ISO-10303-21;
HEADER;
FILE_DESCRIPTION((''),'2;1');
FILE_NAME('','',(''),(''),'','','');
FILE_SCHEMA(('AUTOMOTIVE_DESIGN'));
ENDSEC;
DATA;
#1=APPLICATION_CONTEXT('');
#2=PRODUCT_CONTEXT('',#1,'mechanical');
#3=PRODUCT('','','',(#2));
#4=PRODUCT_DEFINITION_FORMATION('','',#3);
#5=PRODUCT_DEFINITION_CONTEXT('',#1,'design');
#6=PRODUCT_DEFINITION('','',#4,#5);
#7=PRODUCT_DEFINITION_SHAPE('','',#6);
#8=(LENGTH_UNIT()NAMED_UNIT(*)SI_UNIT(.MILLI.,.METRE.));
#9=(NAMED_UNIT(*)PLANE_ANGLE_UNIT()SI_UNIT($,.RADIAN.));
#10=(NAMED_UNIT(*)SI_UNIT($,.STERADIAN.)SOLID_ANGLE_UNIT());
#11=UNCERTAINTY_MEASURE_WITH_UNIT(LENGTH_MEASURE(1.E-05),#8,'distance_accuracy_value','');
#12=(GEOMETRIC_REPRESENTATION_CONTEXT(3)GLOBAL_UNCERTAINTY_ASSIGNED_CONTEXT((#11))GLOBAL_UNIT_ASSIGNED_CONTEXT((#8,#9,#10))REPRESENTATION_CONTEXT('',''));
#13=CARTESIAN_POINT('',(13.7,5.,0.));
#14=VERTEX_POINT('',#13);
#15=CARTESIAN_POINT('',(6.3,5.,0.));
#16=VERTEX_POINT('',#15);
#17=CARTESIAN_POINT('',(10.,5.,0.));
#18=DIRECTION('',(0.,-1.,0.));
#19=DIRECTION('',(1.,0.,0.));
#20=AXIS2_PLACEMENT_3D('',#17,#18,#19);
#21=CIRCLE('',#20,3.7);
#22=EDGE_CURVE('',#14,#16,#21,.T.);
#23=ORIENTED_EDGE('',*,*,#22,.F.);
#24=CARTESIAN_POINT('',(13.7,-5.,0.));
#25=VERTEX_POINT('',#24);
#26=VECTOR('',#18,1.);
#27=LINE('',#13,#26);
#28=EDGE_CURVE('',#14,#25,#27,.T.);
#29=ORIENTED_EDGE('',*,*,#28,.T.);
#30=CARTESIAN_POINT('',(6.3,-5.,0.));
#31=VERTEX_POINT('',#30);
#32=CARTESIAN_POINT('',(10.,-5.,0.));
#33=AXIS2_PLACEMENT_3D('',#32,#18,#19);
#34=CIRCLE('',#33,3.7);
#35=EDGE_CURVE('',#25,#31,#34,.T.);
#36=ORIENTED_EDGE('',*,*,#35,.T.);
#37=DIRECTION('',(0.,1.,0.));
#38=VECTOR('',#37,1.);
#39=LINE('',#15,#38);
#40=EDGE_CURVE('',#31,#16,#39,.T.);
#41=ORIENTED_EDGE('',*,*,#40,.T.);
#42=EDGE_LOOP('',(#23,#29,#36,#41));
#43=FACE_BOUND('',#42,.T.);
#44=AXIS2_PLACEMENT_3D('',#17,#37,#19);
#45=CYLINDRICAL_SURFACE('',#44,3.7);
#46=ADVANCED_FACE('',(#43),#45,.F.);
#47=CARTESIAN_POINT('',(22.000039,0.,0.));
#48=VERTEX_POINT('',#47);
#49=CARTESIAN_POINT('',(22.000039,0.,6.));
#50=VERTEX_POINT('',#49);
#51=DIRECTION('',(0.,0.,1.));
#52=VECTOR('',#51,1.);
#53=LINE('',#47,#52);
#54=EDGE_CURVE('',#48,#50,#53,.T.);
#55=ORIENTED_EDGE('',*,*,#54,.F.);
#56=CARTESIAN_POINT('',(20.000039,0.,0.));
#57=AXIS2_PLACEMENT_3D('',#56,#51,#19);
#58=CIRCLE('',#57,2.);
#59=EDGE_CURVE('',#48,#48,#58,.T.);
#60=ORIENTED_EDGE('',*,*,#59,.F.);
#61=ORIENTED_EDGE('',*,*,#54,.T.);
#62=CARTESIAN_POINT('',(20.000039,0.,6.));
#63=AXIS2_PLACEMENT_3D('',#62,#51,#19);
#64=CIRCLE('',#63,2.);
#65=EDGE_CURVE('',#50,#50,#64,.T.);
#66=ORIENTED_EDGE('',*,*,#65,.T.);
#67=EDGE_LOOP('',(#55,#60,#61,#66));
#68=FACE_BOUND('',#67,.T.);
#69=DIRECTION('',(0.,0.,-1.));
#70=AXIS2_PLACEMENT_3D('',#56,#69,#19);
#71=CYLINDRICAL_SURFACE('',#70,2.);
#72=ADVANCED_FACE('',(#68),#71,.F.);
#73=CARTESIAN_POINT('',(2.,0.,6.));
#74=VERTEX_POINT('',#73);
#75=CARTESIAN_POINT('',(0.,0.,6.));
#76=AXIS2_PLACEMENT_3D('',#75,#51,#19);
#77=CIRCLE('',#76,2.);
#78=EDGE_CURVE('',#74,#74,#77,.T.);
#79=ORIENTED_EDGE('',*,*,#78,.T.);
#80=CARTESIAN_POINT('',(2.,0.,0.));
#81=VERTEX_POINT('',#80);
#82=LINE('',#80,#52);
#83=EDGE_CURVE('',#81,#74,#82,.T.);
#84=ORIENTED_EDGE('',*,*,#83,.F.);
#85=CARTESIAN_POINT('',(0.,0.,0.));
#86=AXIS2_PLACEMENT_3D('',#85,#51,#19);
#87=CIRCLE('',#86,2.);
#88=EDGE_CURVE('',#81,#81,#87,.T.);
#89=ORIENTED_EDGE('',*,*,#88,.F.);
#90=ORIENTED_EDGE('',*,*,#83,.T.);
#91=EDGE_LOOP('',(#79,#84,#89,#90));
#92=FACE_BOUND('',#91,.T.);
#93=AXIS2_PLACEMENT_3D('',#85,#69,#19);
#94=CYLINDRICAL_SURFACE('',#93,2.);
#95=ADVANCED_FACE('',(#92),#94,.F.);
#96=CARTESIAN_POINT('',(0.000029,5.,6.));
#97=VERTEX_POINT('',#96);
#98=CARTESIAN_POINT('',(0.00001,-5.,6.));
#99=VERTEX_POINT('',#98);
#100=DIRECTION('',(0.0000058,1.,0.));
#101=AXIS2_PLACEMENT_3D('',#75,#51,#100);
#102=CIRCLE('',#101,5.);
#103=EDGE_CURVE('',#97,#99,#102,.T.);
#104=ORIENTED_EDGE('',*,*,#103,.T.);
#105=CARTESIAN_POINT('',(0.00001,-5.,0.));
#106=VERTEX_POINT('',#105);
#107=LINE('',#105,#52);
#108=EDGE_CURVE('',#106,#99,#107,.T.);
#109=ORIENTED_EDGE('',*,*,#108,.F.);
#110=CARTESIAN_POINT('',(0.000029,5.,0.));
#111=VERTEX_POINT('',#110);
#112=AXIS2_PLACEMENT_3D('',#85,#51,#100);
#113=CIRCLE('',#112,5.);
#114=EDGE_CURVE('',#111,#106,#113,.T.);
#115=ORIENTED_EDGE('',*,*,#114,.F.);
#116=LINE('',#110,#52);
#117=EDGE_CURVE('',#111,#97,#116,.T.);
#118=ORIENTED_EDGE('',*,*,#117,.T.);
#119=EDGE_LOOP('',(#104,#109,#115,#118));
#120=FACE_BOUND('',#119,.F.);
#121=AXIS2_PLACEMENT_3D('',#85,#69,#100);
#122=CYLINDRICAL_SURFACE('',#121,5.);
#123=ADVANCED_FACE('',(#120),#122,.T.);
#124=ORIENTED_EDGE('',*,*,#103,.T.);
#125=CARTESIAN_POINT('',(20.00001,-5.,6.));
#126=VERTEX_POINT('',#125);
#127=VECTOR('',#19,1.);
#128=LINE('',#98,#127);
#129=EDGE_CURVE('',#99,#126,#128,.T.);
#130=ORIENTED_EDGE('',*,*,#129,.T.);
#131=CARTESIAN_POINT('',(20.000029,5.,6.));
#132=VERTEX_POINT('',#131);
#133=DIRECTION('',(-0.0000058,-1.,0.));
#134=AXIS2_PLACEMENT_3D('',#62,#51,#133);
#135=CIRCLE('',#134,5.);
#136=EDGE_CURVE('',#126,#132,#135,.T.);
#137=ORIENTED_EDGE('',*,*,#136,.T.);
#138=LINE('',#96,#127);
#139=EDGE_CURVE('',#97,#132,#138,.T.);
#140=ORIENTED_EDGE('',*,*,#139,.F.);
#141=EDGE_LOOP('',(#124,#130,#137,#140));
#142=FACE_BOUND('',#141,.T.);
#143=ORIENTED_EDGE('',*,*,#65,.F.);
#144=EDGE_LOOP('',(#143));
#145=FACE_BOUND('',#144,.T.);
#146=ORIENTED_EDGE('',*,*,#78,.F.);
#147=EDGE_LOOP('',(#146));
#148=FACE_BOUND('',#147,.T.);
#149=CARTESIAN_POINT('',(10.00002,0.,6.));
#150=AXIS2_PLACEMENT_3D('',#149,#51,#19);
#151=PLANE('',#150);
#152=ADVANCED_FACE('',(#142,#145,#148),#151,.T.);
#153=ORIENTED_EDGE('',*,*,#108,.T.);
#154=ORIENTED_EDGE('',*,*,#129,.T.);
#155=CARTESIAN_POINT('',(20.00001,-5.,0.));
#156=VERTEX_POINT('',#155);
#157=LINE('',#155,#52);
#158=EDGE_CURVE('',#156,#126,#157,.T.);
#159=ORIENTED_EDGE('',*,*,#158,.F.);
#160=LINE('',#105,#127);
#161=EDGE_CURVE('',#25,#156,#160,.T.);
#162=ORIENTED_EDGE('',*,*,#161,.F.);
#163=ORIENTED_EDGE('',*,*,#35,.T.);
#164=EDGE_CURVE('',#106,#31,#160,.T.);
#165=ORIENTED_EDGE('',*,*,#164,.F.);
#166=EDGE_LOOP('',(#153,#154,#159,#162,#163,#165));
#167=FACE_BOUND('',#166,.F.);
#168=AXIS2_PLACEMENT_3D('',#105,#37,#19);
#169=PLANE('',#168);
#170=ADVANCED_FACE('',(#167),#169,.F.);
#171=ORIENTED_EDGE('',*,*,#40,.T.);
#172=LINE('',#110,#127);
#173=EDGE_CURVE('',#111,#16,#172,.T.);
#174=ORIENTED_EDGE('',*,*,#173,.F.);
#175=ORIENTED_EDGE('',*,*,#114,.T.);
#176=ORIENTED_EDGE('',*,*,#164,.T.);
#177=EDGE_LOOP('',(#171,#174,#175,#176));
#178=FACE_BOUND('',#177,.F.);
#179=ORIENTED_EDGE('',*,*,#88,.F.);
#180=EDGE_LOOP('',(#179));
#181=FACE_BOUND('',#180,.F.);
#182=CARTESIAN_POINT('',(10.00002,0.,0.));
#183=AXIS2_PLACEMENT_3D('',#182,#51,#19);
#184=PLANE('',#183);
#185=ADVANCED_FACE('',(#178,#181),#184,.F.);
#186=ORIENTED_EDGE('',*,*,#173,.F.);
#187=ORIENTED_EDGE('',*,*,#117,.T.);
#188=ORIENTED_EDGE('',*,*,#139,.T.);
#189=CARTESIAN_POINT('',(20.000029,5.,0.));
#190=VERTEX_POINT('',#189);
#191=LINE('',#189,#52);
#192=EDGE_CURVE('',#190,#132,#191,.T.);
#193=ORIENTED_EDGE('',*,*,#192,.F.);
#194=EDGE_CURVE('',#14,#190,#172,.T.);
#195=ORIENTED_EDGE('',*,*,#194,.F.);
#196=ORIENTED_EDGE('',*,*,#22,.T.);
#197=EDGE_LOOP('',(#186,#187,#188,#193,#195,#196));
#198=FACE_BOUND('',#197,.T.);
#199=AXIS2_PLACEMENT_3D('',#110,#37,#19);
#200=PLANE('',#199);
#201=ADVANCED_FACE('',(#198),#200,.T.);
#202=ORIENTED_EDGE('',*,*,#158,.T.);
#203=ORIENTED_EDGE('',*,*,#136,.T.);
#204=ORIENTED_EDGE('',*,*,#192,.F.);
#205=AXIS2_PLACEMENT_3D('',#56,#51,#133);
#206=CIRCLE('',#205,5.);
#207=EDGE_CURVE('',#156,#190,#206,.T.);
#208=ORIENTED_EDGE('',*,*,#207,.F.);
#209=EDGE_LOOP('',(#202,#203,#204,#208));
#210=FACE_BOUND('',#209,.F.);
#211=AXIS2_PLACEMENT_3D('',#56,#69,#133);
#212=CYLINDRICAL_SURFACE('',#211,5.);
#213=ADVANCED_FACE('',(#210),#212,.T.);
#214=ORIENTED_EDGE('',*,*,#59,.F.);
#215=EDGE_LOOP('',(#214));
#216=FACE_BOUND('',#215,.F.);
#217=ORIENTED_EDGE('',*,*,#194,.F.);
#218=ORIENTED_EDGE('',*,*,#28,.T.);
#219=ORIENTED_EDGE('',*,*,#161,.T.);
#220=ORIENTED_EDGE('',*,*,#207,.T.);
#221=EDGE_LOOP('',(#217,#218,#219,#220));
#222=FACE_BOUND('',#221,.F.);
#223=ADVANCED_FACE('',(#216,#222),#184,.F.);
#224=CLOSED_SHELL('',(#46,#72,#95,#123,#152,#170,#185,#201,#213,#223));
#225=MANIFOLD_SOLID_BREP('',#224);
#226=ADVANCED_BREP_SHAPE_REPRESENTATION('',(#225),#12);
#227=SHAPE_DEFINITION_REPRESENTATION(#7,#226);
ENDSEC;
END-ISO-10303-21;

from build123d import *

# Parameters (mm, degrees)
SKETCH_R       = 2
PAD_DEPTH      = 6
CYLINDER_R     = 3.7
CYLINDER_DEPTH = 10


with BuildPart() as part:
    # Sketch → Pad (new body)
    with BuildSketch(Plane.XY):
        with BuildLine():
            ThreePointArc((2.9e-05, 5), (-5, 1e-05), (1e-05, -5))
            Line((1e-05, -5), (20.00001, -5))
            ThreePointArc((20.00001, -5), (25.000039, -1e-05), (20.000029, 5))
            Line((2.9e-05, 5), (20.000029, 5))
        make_face()
        Circle(SKETCH_R, mode=Mode.SUBTRACT)
        with Locations((20.000039, 0)):
            Circle(SKETCH_R, mode=Mode.SUBTRACT)
    extrude(amount=PAD_DEPTH)

    # Cylinder → Cylinder (cut)
    with BuildSketch(Plane(origin=(10, 5, 0), x_dir=(1, 0, 0), z_dir=(0, -1, 0))):
        Circle(CYLINDER_R)
    extrude(amount=CYLINDER_DEPTH, mode=Mode.SUBTRACT)


solid = part.part
